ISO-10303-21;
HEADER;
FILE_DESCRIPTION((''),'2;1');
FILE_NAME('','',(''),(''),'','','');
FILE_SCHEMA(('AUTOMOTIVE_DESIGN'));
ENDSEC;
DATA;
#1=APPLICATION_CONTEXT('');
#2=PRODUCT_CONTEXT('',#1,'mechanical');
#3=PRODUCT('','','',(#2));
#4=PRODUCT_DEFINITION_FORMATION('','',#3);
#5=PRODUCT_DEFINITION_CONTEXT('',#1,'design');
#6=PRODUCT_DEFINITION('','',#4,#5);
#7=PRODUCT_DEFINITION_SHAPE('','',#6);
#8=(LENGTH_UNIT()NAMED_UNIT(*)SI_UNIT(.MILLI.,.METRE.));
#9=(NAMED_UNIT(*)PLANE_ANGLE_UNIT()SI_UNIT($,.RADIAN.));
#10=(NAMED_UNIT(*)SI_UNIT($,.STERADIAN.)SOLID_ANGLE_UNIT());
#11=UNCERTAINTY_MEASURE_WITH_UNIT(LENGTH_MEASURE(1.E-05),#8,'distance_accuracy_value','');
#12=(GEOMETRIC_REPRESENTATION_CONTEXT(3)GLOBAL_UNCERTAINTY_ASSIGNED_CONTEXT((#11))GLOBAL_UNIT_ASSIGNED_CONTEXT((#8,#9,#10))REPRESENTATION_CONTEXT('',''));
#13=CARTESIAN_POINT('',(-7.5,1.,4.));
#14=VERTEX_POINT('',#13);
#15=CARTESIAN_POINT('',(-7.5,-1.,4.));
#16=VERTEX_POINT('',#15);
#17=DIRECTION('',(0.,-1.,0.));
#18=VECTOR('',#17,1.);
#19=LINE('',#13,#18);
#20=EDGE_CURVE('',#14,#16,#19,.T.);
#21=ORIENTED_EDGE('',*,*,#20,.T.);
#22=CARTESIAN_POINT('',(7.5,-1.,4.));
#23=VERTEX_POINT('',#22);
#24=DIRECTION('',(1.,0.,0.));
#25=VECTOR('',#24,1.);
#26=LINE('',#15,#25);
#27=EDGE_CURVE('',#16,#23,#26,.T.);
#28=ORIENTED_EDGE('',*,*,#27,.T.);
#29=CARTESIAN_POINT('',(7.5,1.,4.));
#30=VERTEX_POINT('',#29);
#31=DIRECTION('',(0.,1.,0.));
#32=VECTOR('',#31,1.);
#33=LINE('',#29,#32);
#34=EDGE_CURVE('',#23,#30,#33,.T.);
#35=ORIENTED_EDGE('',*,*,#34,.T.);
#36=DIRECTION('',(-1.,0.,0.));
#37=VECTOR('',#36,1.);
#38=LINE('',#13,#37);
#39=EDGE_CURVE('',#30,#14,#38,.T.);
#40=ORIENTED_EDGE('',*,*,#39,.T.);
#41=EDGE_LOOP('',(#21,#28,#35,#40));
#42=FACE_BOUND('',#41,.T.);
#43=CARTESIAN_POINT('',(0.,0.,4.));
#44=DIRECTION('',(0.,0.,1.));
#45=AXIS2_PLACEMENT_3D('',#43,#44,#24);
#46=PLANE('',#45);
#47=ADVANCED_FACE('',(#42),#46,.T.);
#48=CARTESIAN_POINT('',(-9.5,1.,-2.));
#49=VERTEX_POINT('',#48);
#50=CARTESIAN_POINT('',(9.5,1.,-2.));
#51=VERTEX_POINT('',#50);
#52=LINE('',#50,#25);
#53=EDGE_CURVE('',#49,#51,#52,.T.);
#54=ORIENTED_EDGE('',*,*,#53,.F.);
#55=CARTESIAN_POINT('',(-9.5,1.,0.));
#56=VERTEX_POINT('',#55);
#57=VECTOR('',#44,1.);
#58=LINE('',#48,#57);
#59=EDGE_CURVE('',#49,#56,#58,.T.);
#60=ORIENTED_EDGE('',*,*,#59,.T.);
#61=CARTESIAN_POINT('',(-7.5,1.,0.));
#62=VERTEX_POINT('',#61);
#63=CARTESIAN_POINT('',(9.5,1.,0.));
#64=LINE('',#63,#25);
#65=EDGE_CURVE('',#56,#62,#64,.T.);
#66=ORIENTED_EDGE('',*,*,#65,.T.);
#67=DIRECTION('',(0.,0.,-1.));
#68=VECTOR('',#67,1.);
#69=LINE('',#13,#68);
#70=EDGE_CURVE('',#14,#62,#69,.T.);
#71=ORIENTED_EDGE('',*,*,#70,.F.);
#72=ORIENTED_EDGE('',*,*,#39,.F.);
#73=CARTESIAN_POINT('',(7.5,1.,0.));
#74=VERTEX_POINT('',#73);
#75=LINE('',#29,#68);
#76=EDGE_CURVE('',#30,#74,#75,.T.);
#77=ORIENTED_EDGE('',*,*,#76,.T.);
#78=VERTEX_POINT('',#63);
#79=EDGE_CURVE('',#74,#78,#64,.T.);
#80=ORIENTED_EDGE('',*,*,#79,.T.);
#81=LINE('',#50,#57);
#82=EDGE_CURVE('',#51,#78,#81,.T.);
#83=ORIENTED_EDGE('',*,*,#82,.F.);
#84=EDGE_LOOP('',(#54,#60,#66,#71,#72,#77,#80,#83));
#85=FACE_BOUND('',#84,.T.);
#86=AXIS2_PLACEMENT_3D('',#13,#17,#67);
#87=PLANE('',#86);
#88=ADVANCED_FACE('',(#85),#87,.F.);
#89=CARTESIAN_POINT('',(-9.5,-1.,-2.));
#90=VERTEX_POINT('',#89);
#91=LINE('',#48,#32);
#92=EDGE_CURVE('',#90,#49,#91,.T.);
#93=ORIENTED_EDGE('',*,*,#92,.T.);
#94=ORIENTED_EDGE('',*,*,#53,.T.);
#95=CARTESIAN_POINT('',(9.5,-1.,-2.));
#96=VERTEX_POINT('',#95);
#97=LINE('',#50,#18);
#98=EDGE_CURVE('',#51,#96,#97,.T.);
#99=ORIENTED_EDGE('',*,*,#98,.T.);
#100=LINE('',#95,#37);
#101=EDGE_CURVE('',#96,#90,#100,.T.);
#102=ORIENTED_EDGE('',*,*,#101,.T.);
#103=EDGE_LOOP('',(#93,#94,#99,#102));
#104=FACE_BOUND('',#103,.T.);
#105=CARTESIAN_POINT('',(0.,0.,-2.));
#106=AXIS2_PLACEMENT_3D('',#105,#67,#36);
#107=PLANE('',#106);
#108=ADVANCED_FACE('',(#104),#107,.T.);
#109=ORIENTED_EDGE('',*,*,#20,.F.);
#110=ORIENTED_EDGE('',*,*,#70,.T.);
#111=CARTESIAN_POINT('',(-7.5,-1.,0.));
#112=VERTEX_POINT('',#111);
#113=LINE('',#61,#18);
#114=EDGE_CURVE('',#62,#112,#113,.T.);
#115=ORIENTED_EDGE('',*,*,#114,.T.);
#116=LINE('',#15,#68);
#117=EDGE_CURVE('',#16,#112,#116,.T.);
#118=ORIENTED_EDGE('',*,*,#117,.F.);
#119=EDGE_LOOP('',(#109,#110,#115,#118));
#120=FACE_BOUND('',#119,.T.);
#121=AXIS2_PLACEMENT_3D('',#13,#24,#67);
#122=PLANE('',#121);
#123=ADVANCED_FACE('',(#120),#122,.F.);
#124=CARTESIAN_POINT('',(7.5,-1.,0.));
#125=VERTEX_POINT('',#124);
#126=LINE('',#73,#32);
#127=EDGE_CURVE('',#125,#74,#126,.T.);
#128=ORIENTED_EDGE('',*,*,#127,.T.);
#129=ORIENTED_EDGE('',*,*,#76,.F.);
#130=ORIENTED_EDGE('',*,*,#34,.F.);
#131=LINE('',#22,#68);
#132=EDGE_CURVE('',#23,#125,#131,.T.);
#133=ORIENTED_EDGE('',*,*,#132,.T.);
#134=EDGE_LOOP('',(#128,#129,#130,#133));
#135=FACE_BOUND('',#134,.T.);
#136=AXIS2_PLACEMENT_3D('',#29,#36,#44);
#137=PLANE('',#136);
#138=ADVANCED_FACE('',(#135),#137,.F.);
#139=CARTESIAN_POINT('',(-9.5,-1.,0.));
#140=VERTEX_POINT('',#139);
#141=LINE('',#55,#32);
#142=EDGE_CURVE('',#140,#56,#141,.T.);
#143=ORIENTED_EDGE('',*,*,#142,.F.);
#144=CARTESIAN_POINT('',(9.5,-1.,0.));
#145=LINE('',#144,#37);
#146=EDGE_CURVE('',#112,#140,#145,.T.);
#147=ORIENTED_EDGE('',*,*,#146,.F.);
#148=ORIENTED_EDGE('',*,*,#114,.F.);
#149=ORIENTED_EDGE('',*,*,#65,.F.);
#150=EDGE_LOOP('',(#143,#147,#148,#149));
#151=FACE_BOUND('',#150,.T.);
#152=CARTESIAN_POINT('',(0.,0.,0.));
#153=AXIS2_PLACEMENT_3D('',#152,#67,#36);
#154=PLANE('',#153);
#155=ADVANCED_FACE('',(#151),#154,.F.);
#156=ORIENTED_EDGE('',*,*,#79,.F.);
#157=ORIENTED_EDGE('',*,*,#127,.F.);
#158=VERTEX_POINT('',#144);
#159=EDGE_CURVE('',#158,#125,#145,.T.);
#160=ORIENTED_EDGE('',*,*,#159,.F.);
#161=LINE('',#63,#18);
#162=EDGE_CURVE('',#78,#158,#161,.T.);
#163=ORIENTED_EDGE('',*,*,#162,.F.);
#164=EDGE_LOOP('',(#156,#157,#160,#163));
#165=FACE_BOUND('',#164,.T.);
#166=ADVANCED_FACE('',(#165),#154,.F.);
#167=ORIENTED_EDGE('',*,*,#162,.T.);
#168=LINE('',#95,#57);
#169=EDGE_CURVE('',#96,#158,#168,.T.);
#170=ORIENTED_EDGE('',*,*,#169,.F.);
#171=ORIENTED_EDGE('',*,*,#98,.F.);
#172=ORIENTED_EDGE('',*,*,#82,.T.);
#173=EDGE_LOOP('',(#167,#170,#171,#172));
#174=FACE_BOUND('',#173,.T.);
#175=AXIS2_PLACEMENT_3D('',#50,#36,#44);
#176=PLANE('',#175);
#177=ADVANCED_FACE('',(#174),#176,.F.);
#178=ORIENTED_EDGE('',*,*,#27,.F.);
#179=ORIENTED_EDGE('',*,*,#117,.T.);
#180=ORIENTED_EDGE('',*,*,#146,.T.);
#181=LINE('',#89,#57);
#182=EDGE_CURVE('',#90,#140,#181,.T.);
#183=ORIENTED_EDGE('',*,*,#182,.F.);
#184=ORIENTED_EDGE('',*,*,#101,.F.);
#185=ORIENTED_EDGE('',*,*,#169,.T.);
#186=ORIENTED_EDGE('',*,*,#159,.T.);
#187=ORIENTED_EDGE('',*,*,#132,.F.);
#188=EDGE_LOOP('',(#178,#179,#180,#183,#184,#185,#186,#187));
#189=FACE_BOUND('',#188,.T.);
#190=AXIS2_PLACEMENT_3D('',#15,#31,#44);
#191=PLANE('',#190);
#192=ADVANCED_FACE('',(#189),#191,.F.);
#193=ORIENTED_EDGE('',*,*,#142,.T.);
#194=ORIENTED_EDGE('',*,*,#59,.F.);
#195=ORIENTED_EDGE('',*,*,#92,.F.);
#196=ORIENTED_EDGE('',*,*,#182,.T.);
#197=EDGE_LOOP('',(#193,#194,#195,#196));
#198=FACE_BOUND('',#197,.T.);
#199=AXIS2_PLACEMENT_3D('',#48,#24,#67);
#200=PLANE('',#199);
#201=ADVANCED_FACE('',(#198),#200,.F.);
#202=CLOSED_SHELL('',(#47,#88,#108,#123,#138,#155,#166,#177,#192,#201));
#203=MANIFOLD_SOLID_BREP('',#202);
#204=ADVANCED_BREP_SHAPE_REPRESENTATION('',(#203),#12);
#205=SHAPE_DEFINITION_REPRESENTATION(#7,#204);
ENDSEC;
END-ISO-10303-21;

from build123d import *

# Parameters (mm, degrees)
SKETCH1_W           = 15
SKETCH1_H           = 2
BOSS_EXTRUDE1_DEPTH = 4
SKETCH2_W           = 19
SKETCH2_H           = 2
BOSS_EXTRUDE2_DEPTH = 2


with BuildPart() as part:
    # Sketch1 → Boss-Extrude1 (new body)
    with BuildSketch(Plane.XY):
        Rectangle(SKETCH1_W, SKETCH1_H)
    extrude(amount=BOSS_EXTRUDE1_DEPTH)

    # Sketch2 → Boss-Extrude2 (add)
    with BuildSketch(Plane(origin=(0, 0, 0), x_dir=(-1, 0, 0), z_dir=(0, 0, -1))):
        Rectangle(SKETCH2_W, SKETCH2_H)
    extrude(amount=BOSS_EXTRUDE2_DEPTH)


solid = part.part
